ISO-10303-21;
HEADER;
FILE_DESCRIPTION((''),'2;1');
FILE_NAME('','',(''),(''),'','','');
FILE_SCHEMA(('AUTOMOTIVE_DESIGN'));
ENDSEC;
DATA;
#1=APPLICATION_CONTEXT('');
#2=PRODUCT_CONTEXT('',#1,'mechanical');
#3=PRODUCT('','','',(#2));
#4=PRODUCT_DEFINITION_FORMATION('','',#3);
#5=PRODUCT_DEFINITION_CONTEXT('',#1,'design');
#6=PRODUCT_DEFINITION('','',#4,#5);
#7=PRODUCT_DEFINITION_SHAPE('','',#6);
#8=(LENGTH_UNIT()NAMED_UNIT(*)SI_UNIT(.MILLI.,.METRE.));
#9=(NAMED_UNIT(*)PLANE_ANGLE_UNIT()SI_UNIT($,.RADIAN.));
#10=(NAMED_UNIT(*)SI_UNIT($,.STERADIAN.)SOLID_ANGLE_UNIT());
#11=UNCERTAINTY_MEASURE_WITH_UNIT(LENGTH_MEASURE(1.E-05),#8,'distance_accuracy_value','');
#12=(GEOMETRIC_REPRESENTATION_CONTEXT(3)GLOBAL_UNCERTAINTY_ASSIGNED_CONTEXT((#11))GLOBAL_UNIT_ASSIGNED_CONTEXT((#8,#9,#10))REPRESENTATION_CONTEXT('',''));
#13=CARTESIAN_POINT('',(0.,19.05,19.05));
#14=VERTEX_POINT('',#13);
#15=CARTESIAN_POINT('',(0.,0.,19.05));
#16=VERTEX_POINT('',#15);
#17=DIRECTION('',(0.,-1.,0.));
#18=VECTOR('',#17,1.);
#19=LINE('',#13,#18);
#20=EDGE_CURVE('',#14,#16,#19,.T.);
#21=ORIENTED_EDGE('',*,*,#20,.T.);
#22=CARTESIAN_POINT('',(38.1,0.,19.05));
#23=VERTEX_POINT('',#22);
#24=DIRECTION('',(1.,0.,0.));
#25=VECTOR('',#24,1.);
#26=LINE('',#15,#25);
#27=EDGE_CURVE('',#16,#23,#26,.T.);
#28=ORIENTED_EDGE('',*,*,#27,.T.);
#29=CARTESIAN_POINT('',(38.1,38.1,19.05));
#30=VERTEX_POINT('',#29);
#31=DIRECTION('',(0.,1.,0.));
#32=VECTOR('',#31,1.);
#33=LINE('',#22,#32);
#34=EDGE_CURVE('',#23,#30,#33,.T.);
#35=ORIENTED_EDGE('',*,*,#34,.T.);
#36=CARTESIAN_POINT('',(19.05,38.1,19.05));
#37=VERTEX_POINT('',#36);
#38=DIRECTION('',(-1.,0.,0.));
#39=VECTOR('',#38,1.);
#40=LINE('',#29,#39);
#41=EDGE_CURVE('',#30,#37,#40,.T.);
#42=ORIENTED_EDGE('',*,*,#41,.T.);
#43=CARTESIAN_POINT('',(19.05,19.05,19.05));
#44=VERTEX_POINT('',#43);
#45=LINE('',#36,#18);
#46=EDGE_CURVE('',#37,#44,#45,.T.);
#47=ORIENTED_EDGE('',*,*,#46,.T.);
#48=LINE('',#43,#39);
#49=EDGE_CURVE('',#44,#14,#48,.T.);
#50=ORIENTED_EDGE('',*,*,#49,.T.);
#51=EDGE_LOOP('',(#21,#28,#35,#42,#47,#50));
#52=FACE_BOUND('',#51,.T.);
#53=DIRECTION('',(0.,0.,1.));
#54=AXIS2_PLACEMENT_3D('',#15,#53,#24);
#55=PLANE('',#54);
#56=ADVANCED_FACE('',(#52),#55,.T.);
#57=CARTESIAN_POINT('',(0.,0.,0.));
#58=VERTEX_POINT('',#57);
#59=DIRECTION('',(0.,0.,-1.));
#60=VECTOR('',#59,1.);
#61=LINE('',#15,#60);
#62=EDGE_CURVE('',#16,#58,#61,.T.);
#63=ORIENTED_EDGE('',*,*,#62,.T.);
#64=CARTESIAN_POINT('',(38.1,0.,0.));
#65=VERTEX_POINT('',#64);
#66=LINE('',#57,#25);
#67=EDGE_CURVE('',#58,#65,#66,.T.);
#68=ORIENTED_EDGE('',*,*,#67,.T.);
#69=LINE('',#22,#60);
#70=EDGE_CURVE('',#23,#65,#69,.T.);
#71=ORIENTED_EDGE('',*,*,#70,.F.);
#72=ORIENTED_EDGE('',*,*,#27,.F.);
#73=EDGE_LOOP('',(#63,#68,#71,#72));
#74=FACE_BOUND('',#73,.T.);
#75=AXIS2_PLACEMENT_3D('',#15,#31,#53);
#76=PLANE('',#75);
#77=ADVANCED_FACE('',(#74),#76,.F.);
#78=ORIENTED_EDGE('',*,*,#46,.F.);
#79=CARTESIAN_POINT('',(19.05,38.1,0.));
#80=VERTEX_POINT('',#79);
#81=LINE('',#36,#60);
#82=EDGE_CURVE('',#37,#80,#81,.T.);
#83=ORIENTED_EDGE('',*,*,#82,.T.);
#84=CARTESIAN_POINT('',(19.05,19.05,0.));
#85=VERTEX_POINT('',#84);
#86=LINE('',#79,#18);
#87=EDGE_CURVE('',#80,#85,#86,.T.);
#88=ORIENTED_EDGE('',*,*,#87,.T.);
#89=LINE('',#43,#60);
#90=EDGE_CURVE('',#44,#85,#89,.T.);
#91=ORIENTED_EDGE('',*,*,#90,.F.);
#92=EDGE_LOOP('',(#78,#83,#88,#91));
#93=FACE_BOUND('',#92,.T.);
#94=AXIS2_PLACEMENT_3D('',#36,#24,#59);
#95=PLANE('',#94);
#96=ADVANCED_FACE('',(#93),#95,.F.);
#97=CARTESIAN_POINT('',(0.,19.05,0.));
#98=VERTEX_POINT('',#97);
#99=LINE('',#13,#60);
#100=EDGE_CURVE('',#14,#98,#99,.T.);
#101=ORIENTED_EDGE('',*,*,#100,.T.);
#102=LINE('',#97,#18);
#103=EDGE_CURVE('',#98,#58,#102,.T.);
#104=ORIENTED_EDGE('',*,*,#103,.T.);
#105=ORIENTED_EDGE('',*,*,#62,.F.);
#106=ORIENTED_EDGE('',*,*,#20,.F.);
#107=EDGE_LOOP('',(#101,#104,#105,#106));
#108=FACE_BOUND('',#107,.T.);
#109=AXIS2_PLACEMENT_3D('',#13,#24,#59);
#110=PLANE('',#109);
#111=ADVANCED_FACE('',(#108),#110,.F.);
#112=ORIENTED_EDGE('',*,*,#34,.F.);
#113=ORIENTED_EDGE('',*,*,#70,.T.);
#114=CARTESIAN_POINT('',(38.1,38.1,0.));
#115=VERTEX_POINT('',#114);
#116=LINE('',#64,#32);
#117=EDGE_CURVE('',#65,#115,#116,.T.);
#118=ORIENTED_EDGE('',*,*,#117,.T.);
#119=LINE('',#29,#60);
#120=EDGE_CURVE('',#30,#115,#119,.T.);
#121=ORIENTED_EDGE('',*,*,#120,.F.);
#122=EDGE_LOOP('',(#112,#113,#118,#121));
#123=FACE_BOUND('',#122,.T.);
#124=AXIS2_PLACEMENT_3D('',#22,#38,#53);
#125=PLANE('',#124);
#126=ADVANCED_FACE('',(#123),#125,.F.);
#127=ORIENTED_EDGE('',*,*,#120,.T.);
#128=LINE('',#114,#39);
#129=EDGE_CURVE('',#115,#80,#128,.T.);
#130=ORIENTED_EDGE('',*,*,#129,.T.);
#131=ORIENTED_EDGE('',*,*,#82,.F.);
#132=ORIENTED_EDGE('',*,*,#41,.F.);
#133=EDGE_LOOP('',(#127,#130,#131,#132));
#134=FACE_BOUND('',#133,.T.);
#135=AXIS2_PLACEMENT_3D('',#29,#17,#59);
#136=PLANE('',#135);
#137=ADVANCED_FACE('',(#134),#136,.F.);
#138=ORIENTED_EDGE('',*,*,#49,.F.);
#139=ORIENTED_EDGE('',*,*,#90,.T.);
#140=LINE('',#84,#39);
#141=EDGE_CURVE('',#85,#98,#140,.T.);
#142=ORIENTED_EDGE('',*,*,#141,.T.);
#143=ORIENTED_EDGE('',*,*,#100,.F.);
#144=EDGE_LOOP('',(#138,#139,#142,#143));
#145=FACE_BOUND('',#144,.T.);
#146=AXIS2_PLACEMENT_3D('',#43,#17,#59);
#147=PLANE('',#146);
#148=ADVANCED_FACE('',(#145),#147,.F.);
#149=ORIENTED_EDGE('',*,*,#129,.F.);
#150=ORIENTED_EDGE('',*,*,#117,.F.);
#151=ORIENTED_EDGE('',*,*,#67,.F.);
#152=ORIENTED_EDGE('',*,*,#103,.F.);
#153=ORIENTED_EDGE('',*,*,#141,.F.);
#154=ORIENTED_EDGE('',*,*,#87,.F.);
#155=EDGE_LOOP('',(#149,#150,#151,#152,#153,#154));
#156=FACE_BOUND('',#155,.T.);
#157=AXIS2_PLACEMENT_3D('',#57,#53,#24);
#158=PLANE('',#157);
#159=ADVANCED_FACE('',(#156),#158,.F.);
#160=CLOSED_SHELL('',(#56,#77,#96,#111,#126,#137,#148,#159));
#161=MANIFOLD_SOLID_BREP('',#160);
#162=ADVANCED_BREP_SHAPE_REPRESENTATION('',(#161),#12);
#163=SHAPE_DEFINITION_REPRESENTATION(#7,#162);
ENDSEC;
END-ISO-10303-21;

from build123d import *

# Parameters (mm, degrees)
BOSS_EXTRUDE1_DEPTH = 19.05


with BuildPart() as part:
    # Sketch1 → Boss-Extrude1 (new body)
    with BuildSketch(Plane.XY):
        Polygon((0, 0), (38.1, 0), (38.1, 38.1), (19.05, 38.1), (19.05, 19.05), (0, 19.05), align=None)
    extrude(amount=BOSS_EXTRUDE1_DEPTH)


solid = part.part
